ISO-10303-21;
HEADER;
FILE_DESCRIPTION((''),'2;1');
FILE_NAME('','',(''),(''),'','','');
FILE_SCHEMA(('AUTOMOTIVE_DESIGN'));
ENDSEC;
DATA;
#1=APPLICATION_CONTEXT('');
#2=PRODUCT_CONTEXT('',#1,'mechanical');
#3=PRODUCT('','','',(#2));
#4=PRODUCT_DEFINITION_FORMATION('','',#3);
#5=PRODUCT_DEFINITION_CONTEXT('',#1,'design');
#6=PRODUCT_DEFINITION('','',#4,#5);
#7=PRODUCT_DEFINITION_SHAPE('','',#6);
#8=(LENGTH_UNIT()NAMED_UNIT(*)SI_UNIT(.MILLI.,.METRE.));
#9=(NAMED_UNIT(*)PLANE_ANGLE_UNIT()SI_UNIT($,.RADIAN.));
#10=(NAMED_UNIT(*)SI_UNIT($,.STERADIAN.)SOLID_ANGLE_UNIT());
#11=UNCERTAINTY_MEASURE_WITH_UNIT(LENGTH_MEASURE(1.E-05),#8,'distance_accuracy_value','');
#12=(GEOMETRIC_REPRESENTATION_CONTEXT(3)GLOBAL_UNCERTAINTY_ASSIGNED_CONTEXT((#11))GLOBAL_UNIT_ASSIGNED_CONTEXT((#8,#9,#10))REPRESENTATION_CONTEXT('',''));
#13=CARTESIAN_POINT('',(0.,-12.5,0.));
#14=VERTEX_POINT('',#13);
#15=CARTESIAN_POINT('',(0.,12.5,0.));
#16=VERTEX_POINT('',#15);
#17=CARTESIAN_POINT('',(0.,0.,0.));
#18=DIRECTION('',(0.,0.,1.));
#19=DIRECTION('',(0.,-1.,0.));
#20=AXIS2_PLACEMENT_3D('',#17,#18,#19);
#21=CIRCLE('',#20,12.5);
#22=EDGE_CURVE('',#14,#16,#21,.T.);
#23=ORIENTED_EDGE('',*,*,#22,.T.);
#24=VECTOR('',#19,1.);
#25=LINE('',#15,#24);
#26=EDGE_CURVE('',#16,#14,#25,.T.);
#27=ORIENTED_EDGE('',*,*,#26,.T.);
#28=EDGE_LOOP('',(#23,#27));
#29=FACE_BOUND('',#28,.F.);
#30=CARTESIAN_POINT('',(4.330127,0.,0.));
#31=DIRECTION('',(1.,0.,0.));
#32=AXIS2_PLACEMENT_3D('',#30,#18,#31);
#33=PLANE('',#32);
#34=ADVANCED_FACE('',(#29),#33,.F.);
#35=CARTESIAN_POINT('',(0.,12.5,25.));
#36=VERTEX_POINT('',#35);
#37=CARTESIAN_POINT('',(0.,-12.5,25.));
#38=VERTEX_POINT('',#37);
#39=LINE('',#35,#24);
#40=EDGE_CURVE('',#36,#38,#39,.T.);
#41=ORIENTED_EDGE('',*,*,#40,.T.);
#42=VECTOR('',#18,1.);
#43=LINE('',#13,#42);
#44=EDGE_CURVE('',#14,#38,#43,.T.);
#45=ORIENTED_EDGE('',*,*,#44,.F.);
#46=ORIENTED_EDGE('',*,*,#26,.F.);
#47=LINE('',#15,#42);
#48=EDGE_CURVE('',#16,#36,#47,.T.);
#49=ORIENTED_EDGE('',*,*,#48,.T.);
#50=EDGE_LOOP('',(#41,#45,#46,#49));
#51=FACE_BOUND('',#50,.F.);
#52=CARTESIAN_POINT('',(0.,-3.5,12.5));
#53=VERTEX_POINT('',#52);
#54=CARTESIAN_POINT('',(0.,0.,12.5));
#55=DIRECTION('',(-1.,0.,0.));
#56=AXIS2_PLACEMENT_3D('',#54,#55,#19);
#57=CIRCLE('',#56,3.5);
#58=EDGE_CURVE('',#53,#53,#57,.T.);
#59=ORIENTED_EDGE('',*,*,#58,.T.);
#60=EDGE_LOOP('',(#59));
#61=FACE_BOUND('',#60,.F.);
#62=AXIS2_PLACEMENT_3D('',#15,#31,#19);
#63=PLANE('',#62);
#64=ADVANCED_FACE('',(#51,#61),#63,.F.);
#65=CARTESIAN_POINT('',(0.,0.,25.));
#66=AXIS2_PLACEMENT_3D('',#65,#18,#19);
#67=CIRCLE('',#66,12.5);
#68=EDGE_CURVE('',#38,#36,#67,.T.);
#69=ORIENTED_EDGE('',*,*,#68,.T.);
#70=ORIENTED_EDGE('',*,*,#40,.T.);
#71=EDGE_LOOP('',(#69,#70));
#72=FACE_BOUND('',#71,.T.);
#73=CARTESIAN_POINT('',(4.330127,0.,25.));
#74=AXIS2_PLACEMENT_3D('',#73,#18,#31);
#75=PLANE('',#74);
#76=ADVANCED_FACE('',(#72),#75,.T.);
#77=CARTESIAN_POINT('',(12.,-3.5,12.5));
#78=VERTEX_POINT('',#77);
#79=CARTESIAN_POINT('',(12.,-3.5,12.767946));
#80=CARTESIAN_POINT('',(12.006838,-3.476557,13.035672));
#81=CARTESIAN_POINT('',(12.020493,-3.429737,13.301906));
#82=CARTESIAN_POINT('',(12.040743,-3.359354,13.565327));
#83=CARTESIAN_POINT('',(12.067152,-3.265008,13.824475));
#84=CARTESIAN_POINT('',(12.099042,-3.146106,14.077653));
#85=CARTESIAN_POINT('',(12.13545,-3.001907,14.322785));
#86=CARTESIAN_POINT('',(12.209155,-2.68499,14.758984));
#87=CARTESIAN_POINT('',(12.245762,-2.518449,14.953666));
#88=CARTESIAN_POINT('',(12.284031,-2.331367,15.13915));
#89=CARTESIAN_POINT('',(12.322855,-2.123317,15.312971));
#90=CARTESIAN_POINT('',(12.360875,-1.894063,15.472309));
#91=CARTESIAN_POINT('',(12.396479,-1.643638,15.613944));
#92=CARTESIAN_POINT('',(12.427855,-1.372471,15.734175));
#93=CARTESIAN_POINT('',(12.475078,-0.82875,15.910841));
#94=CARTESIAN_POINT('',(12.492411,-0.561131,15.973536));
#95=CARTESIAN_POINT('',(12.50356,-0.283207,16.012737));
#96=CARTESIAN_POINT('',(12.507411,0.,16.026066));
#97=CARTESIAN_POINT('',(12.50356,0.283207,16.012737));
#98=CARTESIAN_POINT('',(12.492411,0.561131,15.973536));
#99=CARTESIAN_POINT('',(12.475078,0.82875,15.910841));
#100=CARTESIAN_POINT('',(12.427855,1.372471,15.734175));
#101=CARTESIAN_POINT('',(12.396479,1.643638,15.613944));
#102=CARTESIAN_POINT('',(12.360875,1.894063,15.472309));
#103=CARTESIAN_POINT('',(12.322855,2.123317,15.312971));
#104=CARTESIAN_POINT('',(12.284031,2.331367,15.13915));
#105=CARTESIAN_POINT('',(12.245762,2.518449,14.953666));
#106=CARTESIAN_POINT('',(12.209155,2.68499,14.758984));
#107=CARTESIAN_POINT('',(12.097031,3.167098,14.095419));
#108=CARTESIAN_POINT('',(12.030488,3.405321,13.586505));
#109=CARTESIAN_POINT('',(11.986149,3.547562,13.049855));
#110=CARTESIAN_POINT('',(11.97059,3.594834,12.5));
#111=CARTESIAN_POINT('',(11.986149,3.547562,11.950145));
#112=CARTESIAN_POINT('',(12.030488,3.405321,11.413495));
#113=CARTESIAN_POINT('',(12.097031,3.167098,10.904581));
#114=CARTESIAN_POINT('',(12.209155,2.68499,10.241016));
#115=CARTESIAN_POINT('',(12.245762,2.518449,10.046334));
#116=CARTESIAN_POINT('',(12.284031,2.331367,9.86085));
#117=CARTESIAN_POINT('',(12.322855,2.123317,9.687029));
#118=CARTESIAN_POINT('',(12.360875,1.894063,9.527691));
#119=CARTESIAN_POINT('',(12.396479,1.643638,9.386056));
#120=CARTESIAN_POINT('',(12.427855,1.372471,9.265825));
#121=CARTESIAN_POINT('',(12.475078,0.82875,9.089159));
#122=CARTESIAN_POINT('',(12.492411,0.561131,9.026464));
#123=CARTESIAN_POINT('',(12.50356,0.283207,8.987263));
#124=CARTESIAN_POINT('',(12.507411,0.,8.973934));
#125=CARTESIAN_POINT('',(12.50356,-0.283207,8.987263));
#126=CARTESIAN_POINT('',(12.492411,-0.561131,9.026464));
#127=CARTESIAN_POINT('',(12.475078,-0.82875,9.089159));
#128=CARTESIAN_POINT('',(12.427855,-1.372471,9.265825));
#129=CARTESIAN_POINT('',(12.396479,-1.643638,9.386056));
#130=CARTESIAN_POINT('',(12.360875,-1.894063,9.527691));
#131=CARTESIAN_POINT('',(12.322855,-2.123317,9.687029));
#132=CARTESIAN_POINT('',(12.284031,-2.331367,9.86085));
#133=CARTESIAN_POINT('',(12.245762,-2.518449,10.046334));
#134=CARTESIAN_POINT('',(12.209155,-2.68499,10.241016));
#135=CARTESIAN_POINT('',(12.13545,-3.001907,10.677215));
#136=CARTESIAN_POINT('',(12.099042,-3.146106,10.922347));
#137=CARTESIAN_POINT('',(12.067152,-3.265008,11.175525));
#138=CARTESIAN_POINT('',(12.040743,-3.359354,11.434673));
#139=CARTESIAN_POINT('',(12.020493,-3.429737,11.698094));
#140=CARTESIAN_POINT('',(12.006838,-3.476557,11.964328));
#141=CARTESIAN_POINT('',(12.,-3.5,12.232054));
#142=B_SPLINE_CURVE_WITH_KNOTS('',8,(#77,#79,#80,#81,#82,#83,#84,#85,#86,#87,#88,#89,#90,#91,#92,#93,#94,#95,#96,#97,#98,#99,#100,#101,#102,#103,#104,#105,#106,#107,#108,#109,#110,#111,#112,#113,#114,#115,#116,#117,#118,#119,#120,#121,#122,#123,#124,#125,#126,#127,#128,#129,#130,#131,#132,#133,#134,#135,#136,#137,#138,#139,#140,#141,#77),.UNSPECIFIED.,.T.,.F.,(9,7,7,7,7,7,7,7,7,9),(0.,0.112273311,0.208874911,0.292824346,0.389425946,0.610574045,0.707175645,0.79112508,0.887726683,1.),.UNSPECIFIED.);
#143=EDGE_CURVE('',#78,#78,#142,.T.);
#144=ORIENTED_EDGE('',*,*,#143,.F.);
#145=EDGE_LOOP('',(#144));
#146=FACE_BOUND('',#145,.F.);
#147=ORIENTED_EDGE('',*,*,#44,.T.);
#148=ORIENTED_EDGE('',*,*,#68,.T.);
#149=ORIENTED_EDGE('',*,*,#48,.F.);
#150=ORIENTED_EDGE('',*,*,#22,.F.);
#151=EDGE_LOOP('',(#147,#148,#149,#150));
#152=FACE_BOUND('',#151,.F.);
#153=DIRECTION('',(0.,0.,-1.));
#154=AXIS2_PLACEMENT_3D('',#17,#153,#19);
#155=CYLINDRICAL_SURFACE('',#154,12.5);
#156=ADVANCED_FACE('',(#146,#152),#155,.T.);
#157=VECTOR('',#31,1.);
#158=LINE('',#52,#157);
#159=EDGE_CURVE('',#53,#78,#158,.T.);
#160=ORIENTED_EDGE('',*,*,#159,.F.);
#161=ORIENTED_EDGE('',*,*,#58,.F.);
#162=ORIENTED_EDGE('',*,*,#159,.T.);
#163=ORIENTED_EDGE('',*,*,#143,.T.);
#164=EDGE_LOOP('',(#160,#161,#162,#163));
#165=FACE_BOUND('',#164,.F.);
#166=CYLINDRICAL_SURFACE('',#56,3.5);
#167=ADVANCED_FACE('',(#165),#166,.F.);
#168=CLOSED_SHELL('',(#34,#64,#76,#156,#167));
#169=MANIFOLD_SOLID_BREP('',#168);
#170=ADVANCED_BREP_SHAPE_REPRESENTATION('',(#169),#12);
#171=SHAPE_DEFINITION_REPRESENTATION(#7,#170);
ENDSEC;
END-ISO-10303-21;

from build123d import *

# Parameters (mm, degrees)
F1_DEPTH = 25
F2_R     = 3.5
F3_DEPTH = 25


with BuildPart() as f1:
    # F0 (on Top) → F1 (new body)
    with BuildSketch(Plane.XY):
        with BuildLine():
            Line((0, 12.5), (0, -12.5))
            ThreePointArc((0, -12.5), (12.5, 0), (0, 12.5))
        make_face()
    extrude(amount=F1_DEPTH)

    # F2 (on face) → F3 (cut)
    with BuildSketch(Plane(origin=(0, 0, 0), x_dir=(0, -1, 0), z_dir=(-1, 0, 0))):
        with Locations((0, 12.5)):
            Circle(F2_R)
    extrude(amount=-F3_DEPTH, mode=Mode.SUBTRACT)


solid = f1.part
